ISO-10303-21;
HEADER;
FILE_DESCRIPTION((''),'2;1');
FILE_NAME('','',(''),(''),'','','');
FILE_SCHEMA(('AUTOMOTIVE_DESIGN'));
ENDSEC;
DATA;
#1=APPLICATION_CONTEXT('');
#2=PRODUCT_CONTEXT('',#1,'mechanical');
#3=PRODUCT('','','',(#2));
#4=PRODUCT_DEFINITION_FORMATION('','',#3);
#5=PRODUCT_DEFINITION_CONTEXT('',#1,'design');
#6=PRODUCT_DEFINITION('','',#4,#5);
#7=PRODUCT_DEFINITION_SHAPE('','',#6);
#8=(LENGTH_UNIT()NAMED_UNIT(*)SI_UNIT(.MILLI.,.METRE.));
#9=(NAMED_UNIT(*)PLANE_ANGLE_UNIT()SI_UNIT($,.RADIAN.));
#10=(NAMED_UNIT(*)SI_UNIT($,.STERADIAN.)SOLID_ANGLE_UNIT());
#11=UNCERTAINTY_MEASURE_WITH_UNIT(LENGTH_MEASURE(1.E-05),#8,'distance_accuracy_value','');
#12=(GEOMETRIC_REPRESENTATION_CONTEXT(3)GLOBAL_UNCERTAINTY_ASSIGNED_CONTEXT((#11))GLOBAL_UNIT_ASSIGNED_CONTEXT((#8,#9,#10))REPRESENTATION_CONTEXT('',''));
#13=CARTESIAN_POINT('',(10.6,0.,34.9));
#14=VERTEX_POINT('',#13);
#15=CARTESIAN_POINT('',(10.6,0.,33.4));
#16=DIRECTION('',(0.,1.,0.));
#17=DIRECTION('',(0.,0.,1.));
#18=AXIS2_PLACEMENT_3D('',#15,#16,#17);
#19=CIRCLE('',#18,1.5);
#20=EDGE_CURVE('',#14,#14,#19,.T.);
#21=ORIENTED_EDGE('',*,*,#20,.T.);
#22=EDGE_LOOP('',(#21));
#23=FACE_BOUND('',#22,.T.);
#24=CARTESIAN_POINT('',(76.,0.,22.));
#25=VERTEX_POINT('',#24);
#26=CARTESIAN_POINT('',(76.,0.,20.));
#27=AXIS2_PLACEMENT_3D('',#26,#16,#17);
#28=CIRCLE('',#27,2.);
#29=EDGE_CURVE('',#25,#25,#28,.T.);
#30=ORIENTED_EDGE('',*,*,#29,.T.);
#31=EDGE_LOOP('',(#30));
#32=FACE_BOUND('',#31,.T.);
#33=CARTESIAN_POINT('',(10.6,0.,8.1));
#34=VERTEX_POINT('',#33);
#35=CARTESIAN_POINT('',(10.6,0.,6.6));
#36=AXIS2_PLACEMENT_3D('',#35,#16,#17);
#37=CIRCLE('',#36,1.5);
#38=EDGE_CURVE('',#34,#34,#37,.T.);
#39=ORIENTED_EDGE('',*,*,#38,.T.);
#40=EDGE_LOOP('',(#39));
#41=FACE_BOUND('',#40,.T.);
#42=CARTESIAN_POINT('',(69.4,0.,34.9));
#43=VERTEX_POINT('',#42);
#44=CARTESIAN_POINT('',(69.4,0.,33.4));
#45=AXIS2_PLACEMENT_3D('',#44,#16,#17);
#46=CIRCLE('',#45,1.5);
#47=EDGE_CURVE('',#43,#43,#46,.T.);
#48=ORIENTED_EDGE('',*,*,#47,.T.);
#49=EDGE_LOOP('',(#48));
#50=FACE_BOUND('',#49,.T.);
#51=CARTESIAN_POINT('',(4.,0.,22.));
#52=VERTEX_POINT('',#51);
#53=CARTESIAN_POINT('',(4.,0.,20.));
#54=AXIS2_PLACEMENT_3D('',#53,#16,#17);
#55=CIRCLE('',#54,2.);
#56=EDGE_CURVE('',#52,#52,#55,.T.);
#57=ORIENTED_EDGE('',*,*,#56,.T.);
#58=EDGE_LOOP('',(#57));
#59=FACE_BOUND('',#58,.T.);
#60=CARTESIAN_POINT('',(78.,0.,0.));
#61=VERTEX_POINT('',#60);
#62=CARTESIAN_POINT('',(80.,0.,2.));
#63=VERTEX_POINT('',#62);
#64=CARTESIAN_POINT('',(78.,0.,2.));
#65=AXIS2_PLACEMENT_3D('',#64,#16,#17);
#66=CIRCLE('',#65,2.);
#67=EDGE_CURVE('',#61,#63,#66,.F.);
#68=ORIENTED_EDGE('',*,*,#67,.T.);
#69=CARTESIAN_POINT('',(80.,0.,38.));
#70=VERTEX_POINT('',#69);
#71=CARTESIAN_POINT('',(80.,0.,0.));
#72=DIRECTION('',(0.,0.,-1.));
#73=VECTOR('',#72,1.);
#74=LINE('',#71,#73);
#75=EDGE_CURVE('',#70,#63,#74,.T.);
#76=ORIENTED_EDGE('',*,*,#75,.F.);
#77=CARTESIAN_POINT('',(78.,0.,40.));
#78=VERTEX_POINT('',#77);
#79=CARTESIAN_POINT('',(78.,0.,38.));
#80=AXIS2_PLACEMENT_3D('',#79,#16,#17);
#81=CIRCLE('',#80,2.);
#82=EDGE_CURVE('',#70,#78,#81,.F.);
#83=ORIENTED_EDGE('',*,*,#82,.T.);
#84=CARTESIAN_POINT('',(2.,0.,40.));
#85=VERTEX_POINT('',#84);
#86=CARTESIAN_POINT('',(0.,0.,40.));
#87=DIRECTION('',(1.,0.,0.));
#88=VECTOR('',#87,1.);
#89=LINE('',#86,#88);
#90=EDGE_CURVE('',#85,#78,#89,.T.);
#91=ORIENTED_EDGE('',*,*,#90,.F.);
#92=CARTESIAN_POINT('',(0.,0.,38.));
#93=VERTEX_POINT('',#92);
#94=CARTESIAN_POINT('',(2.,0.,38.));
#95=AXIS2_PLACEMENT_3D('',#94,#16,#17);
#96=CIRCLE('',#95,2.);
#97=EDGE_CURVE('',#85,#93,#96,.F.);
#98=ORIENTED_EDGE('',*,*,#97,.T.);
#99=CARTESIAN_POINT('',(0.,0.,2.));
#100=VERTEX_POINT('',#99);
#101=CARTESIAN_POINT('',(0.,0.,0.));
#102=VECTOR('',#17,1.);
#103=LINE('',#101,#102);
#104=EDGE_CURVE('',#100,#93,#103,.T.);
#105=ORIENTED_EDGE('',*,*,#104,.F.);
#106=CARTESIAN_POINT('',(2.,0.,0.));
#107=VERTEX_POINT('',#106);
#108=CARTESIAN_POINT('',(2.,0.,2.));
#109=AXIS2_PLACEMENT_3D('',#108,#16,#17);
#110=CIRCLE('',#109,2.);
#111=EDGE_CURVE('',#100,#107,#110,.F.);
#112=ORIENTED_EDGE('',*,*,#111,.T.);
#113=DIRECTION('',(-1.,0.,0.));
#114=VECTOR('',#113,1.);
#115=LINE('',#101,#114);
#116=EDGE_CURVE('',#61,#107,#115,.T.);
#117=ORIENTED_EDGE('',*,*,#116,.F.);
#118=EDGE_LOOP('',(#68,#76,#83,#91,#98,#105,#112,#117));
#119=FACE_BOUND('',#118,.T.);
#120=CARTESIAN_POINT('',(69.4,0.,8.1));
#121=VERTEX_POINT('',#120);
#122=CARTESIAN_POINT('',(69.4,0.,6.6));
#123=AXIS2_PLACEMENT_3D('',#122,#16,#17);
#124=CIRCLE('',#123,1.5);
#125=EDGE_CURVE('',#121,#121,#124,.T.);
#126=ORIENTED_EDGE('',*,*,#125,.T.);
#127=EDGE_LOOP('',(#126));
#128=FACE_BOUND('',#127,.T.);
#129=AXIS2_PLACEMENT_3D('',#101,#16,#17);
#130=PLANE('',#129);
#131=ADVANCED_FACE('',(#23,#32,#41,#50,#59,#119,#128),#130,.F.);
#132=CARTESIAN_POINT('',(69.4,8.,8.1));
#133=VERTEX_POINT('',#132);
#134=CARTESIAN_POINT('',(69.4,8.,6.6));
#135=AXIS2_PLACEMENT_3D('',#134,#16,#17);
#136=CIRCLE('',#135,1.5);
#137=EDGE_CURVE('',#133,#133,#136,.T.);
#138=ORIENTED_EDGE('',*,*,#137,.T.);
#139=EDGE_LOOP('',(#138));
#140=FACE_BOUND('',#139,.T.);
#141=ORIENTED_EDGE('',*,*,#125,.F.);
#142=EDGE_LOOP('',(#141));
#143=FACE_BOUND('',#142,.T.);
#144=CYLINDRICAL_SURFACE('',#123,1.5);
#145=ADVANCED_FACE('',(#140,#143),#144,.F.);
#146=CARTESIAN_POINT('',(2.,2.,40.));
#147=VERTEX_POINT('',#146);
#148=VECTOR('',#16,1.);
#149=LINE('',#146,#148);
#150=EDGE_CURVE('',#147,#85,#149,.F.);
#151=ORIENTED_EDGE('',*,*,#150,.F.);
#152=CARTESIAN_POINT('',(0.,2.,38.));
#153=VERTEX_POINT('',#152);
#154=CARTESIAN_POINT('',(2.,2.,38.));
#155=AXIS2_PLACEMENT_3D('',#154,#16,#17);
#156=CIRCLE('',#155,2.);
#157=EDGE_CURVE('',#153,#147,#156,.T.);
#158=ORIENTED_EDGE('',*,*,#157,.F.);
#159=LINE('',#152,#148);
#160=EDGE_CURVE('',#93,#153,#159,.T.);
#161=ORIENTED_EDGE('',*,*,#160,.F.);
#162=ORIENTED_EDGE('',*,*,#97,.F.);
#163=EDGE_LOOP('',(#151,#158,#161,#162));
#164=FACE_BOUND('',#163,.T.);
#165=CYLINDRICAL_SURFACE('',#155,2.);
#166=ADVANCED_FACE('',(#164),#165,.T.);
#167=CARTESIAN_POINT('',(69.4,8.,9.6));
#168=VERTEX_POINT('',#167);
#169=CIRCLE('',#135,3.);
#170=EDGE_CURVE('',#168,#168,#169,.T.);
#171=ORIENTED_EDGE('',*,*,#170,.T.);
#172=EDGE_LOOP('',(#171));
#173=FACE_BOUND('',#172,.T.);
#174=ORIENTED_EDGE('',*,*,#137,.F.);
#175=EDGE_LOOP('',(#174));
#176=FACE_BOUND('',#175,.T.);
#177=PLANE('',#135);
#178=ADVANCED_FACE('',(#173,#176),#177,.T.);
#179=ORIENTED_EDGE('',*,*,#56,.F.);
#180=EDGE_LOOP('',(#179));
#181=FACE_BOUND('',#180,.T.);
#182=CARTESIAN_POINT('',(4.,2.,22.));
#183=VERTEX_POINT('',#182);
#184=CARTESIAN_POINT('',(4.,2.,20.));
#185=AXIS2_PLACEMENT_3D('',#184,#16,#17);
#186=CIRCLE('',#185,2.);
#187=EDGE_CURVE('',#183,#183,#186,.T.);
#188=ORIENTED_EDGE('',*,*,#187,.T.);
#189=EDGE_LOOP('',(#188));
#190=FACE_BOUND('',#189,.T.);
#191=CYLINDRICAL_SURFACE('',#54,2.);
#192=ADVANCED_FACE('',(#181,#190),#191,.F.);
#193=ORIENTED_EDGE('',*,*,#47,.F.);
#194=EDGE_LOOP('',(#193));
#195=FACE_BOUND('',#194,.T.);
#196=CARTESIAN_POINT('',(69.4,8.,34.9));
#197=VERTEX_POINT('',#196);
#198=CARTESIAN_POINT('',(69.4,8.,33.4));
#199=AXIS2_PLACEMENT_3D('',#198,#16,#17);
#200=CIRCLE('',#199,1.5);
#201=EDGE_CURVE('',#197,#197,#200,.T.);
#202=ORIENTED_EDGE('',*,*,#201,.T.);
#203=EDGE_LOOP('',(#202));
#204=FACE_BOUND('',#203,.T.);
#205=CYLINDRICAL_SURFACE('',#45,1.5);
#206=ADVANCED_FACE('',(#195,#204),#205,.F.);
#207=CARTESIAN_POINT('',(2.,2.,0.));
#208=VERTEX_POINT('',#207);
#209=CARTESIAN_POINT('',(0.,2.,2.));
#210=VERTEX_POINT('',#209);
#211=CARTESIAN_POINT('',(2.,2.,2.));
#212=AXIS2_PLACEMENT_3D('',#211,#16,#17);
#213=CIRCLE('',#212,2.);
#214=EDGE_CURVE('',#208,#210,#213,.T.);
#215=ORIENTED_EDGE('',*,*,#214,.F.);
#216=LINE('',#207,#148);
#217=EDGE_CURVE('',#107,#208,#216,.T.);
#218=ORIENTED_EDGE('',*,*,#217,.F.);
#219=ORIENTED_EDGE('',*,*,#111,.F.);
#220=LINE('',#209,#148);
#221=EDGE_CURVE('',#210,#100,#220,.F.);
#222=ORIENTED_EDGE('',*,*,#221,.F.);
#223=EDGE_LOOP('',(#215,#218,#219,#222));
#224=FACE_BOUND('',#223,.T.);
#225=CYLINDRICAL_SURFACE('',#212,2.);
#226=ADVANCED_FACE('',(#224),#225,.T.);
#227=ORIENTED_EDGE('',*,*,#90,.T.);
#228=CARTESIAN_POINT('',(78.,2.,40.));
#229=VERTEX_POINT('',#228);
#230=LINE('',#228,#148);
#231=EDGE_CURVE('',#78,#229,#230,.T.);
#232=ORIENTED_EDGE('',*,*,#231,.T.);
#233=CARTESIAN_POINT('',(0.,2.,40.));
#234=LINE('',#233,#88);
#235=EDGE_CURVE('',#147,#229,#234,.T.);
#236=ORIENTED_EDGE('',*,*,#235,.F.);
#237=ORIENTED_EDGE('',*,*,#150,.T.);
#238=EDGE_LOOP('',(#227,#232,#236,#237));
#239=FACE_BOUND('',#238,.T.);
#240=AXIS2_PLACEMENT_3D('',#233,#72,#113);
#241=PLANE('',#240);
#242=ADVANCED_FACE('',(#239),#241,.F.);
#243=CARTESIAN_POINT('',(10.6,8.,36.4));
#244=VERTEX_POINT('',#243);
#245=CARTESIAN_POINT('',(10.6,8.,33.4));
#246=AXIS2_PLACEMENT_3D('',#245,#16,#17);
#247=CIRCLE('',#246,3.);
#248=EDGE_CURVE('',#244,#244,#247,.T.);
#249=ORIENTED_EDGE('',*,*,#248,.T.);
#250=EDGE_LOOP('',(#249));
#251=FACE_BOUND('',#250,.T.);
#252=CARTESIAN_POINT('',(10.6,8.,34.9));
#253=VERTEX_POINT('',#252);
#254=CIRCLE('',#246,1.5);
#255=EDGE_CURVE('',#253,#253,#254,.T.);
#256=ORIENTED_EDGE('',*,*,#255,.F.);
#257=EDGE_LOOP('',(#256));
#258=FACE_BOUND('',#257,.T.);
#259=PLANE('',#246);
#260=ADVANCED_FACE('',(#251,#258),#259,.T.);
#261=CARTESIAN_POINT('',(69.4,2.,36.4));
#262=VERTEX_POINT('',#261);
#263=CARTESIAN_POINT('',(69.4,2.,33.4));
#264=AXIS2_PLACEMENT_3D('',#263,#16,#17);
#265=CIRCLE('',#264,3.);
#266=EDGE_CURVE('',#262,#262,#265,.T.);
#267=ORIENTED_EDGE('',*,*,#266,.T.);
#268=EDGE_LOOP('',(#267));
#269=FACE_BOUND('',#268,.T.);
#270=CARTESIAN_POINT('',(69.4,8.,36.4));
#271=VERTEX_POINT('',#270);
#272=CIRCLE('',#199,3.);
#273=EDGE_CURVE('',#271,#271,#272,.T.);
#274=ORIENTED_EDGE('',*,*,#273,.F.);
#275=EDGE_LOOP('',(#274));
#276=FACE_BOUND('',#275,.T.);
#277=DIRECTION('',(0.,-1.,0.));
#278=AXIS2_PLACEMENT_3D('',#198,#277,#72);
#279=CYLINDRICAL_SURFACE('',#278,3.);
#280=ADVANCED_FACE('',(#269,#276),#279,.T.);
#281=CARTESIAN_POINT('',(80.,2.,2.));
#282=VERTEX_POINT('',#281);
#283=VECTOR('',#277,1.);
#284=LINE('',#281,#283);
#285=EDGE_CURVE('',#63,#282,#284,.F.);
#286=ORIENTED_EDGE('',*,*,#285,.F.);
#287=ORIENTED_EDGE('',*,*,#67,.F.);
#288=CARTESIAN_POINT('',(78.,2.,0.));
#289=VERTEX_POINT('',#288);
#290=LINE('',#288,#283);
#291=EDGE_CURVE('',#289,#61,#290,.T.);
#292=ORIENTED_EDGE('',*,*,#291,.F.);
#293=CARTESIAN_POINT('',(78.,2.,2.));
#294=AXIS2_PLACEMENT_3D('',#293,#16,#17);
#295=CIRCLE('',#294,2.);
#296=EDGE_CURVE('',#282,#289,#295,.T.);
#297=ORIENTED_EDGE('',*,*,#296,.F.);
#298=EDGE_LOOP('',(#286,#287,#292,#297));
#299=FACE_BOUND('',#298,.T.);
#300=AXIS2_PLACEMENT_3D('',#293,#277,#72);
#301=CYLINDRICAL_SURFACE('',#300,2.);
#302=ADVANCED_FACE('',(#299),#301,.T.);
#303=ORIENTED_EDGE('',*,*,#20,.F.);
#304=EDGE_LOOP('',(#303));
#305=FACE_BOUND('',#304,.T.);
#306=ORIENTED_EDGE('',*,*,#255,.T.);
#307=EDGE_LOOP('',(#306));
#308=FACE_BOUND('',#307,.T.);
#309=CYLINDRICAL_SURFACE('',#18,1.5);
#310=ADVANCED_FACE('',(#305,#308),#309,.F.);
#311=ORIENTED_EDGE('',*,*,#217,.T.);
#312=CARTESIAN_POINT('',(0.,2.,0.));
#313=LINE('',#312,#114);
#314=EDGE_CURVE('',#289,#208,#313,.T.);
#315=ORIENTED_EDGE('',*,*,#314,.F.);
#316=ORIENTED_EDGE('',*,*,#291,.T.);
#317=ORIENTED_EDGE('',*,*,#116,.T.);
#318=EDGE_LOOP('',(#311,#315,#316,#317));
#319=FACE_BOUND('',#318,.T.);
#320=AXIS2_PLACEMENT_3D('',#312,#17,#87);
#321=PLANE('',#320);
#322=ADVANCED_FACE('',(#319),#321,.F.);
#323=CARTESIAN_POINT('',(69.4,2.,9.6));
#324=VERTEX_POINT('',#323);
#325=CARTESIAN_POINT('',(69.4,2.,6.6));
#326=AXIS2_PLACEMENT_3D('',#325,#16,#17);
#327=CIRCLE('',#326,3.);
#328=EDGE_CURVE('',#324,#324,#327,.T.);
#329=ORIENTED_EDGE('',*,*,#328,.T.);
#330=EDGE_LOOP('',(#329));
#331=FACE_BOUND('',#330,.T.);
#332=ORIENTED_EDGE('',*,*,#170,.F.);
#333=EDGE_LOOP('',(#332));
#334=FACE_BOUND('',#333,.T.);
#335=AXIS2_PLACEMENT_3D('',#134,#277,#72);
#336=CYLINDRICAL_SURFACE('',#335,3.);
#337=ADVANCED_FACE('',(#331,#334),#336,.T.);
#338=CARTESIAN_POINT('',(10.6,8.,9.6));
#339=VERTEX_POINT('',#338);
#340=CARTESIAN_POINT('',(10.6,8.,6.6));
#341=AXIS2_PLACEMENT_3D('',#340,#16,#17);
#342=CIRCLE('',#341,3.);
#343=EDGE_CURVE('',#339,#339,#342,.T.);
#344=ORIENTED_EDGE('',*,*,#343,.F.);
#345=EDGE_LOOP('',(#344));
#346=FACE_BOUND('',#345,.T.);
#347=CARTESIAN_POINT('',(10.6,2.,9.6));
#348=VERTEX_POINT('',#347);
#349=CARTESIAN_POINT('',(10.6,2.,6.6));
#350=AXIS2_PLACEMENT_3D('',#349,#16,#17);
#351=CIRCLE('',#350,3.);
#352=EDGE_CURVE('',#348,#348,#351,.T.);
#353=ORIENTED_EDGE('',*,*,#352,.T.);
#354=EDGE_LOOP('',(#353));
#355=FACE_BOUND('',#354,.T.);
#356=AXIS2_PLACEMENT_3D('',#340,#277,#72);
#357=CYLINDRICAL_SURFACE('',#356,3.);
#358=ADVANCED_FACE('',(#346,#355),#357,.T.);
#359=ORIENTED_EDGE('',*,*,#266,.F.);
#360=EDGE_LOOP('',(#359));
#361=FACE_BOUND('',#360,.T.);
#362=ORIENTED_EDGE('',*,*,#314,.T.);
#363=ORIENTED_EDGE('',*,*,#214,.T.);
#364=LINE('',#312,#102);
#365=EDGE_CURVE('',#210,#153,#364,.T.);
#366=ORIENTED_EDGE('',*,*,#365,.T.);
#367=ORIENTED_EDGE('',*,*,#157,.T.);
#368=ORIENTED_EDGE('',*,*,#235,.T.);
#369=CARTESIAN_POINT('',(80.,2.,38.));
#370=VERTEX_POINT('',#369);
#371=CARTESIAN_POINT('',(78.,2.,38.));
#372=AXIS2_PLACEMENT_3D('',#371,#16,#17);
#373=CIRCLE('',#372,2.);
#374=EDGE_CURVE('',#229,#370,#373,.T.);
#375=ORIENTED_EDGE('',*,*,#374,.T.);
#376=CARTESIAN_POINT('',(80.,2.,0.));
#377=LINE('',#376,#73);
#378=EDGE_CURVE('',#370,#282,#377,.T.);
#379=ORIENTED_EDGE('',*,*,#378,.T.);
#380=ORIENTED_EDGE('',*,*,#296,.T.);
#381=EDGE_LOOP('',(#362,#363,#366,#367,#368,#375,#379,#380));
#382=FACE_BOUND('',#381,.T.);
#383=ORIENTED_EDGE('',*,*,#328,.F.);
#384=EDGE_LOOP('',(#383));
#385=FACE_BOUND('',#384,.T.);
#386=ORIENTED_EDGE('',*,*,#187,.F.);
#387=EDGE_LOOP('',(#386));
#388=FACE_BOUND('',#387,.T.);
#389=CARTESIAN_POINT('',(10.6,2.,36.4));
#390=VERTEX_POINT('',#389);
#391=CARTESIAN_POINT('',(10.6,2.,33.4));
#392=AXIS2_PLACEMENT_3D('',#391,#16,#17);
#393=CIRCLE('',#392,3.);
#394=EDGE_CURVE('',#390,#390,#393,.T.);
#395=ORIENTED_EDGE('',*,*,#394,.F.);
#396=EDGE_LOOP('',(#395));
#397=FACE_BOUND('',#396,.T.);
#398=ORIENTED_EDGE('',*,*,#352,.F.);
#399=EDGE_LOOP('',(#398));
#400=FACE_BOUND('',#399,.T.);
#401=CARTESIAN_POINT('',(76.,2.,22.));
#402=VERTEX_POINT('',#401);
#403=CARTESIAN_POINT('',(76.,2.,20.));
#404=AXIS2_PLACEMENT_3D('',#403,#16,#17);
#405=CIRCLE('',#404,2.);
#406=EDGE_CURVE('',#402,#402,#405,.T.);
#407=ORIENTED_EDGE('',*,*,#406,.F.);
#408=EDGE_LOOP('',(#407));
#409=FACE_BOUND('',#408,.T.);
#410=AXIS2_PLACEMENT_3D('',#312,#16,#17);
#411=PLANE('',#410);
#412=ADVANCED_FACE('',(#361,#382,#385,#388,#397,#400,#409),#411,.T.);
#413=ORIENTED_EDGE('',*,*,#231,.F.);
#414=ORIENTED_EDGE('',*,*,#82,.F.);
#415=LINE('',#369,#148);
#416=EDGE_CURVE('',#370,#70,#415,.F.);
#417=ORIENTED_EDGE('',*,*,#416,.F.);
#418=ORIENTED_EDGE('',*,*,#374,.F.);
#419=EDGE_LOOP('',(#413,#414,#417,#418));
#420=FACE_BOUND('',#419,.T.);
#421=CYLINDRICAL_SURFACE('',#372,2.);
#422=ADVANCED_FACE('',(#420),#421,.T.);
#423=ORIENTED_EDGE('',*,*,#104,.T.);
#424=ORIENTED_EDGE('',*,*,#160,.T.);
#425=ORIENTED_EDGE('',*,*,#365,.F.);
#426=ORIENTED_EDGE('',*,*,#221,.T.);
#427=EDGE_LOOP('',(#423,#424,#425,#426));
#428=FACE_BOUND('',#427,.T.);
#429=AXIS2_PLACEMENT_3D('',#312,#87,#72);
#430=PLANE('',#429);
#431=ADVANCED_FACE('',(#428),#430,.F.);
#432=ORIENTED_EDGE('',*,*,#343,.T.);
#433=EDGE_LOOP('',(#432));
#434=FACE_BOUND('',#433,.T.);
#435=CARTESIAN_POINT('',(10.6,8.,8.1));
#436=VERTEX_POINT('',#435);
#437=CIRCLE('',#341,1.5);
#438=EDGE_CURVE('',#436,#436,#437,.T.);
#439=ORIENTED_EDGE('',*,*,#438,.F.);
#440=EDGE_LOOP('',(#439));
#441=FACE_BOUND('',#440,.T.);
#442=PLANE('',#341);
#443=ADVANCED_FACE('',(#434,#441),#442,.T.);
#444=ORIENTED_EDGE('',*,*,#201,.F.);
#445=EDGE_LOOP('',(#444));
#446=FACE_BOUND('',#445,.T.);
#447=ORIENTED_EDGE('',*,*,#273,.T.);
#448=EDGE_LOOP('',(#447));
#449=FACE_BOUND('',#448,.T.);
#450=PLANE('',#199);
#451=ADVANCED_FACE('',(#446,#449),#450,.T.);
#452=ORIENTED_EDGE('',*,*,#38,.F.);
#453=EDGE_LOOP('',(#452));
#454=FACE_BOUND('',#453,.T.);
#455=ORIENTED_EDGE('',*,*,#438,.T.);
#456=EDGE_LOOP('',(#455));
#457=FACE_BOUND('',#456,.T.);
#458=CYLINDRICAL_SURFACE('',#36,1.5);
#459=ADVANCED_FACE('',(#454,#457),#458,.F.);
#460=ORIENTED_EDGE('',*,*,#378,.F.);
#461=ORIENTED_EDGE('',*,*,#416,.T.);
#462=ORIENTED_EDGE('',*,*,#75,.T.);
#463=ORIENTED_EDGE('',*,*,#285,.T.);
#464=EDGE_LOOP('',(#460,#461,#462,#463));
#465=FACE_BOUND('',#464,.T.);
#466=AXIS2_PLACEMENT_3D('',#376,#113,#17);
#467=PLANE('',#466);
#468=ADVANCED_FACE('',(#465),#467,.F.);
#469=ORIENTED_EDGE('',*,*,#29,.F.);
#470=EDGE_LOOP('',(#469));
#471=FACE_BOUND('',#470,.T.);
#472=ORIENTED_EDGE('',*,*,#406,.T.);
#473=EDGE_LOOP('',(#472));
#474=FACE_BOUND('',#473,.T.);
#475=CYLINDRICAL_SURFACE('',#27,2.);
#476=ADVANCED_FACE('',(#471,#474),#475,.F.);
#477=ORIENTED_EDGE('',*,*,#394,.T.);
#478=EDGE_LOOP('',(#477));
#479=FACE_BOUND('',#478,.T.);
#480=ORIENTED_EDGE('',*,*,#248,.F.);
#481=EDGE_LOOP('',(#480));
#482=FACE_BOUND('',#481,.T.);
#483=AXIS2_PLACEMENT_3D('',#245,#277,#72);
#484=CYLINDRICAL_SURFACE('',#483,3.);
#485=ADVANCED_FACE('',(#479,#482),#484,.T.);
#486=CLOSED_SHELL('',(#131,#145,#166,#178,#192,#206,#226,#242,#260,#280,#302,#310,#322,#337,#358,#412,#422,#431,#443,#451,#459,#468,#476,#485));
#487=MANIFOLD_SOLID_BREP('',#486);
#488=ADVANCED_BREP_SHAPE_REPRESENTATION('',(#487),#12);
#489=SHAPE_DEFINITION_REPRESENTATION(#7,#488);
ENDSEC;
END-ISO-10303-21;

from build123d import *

# Parameters (mm, degrees)
SKETCH_1_W               = 80
SKETCH_1_H               = 40
EXTRUDE_1_DEPTH          = 2
SKETCH_2_R               = 3
EXTRUDE_2_DEPTH          = 6
SKETCH_3_R               = 1.5
CUT_EXTRUDE_1_DEPTH      = 1
CUT_EXTRUDE_1_DEPTH_BACK = 9
SKETCH_4_R               = 2
CUT_EXTRUDE_2_DEPTH      = 7
CUT_EXTRUDE_2_DEPTH_BACK = 3
FILLET_1_R               = 2
FILLET_2_R               = 2
FILLET_3_R               = 2
FILLET_4_R               = 2


with BuildPart() as part:
    # Эскиз1 → Бобышка-Вытянуть1 (new body)
    with BuildSketch(Plane(origin=(0, 0, 0), x_dir=(1, 0, 0), z_dir=(0, 1, 0))):
        with Locations((40, -20)):
            Rectangle(SKETCH_1_W, SKETCH_1_H)
    extrude(amount=EXTRUDE_1_DEPTH)

    # Эскиз2 → Бобышка-Вытянуть2 (add)
    with BuildSketch(Plane(origin=(0, 2, 0), x_dir=(1, 0, 0), z_dir=(0, 1, 0))):
        with Locations((10.6, -6.6)):
            Circle(SKETCH_2_R)
        with Locations((10.6, -33.4)):
            Circle(SKETCH_2_R)
        with Locations((69.4, -6.6)):
            Circle(SKETCH_2_R)
        with Locations((69.4, -33.4)):
            Circle(SKETCH_2_R)
    extrude(amount=EXTRUDE_2_DEPTH)

    # Эскиз3 → Вырез-Вытянуть1 (cut, two sides)
    with BuildSketch(Plane(origin=(0, 8, 0), x_dir=(1, 0, 0), z_dir=(0, 1, 0))) as cut_extrude_1_sk:
        with Locations((10.6, -6.6)):
            Circle(SKETCH_3_R)
        with Locations((10.6, -33.4)):
            Circle(SKETCH_3_R)
        with Locations((69.4, -6.6)):
            Circle(SKETCH_3_R)
        with Locations((69.4, -33.4)):
            Circle(SKETCH_3_R)
    extrude(amount=CUT_EXTRUDE_1_DEPTH, mode=Mode.SUBTRACT)
    extrude(cut_extrude_1_sk.sketch, amount=-CUT_EXTRUDE_1_DEPTH_BACK, mode=Mode.SUBTRACT)

    # Эскиз4 → Вырез-Вытянуть2 (cut, two sides)
    with BuildSketch(Plane(origin=(0, 2, 0), x_dir=(1, 0, 0), z_dir=(0, 1, 0))) as cut_extrude_2_sk:
        with Locations((4, -20)):
            Circle(SKETCH_4_R)
        with Locations((76, -20)):
            Circle(SKETCH_4_R)
    extrude(amount=CUT_EXTRUDE_2_DEPTH, mode=Mode.SUBTRACT)
    extrude(cut_extrude_2_sk.sketch, amount=-CUT_EXTRUDE_2_DEPTH_BACK, mode=Mode.SUBTRACT)

    # Скругление1
    fillet_1_edges = [part.edges().sort_by_distance(p)[0] for p in [
        (0, 1, 0),
    ]]
    fillet(fillet_1_edges, radius=FILLET_1_R)

    # Скругление2
    fillet_2_edges = [part.edges().sort_by_distance(p)[0] for p in [
        (0, 1, 40),
    ]]
    fillet(fillet_2_edges, radius=FILLET_2_R)

    # Скругление3
    fillet_3_edges = [part.edges().sort_by_distance(p)[0] for p in [
        (80, 1, 40),
    ]]
    fillet(fillet_3_edges, radius=FILLET_3_R)

    # Скругление4
    fillet_4_edges = [part.edges().sort_by_distance(p)[0] for p in [
        (80, 1, 0),
    ]]
    fillet(fillet_4_edges, radius=FILLET_4_R)


solid = part.part
